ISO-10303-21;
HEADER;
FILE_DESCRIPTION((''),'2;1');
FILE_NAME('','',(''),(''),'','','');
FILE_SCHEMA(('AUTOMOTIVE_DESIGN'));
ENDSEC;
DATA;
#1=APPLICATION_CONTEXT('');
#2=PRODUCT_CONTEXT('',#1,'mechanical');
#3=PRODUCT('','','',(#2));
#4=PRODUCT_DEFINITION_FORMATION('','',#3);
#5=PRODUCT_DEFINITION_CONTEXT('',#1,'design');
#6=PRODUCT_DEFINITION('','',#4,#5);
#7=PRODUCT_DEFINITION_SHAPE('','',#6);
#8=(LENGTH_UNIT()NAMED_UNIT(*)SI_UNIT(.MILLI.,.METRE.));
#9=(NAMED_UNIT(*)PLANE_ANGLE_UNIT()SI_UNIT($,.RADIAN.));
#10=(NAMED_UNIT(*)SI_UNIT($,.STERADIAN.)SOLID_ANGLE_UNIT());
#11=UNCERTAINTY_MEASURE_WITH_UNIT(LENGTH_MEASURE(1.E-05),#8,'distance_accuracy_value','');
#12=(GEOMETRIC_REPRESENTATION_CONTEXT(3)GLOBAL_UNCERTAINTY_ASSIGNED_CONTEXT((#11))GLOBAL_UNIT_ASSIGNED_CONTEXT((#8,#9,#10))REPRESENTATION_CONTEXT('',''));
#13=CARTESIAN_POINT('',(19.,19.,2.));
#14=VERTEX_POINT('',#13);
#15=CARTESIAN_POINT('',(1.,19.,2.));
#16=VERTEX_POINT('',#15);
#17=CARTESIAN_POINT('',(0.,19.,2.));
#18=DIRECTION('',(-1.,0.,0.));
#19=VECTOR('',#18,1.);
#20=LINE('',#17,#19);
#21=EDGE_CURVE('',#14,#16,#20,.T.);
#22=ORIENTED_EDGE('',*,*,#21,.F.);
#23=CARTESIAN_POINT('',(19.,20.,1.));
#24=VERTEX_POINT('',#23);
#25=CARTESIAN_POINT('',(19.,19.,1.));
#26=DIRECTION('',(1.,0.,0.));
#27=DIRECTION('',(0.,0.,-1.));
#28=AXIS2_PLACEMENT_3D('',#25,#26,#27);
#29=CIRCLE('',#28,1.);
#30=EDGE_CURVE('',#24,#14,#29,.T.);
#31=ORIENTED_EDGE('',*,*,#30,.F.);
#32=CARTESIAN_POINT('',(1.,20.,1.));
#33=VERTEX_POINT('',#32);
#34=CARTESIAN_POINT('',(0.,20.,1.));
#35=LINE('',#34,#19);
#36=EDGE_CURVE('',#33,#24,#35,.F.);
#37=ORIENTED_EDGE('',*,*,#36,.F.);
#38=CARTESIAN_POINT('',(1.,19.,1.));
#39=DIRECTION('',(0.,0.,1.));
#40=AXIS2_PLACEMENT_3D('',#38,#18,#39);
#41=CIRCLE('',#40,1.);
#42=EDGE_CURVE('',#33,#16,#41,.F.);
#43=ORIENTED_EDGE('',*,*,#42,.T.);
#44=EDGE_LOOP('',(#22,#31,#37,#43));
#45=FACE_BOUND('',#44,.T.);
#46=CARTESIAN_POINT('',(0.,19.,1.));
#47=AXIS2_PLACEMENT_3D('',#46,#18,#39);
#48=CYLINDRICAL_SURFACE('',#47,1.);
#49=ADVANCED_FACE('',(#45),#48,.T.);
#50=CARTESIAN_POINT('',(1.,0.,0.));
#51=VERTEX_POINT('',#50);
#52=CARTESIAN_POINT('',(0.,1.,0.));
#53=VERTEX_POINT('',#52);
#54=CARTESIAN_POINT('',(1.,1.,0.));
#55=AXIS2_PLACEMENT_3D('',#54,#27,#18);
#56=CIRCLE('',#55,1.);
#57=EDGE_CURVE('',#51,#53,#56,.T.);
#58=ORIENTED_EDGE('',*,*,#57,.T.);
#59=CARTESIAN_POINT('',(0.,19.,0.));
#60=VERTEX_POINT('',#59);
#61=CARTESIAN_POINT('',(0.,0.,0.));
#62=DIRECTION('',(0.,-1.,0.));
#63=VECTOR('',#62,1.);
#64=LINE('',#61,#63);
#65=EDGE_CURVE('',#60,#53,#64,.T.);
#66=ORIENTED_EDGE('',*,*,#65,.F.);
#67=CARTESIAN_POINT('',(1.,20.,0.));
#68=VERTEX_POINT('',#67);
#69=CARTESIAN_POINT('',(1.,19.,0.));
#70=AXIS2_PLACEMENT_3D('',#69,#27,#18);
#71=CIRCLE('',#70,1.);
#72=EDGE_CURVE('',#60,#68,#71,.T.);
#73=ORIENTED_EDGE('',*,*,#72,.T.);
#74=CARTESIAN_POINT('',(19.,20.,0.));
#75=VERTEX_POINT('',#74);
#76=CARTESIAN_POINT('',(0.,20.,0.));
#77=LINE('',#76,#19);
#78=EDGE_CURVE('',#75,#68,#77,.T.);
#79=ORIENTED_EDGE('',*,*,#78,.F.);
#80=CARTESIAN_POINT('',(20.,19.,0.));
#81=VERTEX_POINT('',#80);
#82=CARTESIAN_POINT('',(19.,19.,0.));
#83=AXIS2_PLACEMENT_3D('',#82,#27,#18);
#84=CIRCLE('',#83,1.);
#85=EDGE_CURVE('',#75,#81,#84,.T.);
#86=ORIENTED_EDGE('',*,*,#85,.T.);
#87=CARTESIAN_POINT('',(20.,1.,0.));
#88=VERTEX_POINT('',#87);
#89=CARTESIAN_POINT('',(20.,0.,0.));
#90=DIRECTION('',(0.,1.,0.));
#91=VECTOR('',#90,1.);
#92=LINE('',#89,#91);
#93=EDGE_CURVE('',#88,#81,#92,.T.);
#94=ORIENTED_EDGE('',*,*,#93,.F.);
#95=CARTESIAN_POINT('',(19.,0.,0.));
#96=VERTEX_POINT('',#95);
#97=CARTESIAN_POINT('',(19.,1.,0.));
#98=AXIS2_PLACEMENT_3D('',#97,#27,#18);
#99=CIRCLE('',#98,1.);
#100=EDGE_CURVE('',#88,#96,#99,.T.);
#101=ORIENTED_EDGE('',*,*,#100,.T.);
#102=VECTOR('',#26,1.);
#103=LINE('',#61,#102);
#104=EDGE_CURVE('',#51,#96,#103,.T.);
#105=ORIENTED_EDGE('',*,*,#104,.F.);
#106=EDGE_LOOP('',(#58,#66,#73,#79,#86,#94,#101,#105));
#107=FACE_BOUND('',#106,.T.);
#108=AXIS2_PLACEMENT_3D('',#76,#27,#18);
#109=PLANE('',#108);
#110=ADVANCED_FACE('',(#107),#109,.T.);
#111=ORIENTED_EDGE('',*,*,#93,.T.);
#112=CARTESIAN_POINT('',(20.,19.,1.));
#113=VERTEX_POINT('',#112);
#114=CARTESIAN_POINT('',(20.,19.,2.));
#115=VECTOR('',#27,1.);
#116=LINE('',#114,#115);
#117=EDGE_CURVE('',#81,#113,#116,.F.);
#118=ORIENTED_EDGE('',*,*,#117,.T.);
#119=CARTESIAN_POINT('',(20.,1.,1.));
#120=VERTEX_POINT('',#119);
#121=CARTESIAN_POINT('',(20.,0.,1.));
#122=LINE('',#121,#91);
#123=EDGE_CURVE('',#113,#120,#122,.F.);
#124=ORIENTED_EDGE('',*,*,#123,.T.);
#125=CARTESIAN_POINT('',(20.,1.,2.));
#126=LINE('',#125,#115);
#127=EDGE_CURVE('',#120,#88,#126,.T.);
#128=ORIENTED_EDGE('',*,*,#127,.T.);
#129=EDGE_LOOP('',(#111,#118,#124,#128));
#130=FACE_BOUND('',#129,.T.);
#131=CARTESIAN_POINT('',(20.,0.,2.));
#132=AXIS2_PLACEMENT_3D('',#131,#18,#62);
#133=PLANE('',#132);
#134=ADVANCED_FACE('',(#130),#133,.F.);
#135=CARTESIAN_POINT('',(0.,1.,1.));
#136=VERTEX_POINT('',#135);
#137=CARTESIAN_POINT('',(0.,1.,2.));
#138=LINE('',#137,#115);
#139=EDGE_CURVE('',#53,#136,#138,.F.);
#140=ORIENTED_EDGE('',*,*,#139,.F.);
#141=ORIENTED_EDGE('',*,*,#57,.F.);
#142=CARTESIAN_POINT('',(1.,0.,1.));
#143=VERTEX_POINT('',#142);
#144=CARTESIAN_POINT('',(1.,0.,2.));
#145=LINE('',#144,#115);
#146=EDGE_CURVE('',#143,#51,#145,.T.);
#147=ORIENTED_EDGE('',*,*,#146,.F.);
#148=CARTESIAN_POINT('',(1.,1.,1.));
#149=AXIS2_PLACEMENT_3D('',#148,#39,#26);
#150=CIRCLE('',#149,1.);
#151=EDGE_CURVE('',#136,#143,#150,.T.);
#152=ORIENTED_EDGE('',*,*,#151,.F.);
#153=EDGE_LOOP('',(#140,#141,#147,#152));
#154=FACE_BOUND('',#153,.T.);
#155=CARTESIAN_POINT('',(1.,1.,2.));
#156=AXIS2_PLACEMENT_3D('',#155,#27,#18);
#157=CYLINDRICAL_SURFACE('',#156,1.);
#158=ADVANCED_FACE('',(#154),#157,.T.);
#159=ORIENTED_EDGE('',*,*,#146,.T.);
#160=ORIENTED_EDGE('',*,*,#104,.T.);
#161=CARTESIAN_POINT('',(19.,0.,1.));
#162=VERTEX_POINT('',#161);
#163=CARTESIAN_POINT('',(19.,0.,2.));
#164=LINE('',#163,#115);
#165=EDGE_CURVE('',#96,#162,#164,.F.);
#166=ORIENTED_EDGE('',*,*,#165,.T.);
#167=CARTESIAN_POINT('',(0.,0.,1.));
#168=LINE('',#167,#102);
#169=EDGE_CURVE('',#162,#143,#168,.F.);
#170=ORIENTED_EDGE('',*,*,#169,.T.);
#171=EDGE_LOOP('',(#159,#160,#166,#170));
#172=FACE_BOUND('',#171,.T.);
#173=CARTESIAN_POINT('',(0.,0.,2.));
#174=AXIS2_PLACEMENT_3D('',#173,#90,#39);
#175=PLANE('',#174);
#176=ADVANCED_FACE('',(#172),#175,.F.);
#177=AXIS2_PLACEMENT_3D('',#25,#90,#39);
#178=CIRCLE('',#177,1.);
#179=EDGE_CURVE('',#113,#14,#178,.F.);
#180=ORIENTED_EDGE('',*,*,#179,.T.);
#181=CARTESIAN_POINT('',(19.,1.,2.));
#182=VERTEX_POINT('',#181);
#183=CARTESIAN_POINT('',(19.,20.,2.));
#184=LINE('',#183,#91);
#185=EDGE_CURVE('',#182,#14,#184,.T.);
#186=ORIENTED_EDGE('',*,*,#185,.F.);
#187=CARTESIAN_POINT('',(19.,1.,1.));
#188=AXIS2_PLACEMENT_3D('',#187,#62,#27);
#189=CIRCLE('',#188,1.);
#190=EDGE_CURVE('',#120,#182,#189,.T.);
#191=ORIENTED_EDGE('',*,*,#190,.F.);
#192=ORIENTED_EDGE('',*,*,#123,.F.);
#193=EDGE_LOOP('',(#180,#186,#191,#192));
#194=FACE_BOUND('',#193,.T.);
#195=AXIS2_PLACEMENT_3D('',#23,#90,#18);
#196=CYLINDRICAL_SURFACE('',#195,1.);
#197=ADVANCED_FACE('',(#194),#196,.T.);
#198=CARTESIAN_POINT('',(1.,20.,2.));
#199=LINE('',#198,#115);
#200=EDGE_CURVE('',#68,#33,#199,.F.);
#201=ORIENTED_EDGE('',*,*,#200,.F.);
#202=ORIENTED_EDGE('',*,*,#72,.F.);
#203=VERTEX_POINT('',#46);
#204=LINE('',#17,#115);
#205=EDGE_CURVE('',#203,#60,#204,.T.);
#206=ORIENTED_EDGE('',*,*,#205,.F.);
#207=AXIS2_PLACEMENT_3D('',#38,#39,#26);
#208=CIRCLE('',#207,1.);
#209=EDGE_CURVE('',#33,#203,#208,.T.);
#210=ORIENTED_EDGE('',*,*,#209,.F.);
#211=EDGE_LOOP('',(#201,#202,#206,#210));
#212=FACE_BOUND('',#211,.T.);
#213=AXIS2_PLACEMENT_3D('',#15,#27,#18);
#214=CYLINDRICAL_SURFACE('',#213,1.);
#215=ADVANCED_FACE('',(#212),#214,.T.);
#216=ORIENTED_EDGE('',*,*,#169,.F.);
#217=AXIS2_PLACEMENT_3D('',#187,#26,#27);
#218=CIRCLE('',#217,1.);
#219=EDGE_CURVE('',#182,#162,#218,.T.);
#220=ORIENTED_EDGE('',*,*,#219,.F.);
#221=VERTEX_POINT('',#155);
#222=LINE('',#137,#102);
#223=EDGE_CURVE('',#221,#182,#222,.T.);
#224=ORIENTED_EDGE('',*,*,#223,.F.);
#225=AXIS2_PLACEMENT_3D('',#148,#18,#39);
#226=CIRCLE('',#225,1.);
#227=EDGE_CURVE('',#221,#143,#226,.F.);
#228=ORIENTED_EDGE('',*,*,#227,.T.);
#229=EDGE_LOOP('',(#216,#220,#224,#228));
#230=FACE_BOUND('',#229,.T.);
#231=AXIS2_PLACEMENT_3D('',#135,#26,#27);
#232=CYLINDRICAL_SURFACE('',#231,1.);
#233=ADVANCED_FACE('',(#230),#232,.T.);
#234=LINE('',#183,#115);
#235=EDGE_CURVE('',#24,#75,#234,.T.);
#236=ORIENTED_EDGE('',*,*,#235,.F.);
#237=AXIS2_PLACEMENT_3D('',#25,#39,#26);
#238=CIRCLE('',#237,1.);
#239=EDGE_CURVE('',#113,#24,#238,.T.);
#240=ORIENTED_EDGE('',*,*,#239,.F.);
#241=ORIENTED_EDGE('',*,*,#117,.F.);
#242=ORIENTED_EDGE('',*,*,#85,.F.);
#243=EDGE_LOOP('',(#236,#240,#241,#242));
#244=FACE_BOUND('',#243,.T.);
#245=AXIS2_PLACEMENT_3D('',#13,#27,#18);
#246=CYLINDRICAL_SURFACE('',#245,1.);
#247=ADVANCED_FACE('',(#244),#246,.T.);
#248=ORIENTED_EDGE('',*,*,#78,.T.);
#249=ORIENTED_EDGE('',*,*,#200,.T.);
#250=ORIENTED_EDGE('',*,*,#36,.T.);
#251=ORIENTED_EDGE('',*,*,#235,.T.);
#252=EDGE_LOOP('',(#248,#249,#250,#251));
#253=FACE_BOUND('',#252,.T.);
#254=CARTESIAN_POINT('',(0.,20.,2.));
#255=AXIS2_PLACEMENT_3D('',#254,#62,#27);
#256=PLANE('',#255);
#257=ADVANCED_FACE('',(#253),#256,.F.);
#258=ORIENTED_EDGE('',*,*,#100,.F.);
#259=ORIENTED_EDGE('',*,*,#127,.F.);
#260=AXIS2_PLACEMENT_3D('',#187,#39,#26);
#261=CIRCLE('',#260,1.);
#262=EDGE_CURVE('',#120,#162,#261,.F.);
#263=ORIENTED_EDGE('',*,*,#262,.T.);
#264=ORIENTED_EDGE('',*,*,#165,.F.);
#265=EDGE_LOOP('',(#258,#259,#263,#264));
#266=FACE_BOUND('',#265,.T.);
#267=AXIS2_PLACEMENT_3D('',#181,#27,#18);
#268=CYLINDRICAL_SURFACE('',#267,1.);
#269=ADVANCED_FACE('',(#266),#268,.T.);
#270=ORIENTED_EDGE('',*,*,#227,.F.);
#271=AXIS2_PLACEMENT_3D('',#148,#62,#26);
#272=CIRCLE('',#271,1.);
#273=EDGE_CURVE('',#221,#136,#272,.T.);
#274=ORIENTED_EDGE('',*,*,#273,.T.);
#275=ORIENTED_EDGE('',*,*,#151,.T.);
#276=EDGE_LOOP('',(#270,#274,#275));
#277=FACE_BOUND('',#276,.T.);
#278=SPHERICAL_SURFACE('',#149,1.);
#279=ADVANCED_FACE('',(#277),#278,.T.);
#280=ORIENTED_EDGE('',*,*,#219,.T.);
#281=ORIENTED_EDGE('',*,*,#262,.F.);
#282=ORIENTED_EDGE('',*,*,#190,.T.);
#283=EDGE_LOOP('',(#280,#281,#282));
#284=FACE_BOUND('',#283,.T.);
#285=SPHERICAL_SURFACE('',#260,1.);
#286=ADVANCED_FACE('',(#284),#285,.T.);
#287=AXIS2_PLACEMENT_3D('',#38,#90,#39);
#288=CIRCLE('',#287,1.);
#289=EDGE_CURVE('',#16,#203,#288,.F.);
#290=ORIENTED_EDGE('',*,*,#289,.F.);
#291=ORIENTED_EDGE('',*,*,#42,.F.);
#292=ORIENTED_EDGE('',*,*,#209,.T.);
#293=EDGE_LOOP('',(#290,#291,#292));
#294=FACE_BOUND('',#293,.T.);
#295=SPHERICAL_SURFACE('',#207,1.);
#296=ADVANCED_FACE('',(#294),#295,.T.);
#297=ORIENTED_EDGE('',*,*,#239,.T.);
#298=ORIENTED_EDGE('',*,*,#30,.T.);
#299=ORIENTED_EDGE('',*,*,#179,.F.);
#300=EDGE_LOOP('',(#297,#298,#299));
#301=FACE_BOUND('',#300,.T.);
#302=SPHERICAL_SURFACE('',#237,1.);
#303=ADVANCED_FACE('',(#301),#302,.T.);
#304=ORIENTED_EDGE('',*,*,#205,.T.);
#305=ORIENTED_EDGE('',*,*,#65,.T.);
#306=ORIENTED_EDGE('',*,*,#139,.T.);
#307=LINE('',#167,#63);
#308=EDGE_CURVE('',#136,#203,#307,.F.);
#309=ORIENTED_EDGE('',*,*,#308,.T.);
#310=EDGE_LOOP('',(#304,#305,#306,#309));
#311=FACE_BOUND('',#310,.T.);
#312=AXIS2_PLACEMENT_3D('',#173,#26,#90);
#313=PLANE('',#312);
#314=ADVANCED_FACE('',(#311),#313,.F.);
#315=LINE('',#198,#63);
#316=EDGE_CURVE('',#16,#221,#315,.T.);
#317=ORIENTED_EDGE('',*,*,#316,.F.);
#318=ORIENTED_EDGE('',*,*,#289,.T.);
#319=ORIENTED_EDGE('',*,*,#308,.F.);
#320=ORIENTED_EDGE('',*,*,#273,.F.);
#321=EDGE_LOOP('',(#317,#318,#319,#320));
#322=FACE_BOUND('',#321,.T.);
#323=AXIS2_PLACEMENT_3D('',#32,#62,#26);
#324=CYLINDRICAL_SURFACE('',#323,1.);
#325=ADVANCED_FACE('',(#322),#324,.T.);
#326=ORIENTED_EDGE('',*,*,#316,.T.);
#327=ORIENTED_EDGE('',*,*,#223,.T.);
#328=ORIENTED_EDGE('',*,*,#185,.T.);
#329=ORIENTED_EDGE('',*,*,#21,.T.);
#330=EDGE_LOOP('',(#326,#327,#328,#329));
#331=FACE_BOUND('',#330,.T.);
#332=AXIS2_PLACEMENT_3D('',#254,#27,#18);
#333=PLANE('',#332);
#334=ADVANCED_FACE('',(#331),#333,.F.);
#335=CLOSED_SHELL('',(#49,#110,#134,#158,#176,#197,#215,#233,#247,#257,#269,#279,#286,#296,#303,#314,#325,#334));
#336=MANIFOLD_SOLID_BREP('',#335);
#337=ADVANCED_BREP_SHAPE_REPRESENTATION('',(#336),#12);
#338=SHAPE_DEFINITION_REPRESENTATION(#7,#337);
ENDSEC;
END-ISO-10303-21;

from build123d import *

# Parameters (mm, degrees)
SKETCH1_W      = 20
SKETCH1_H      = 20
EXTRUDE1_DEPTH = 2
FILLET1_R      = 1


with BuildPart() as part:
    # Sketch1 → Extrude1 (new body)
    with BuildSketch(Plane.XY):
        with Locations((10, 10)):
            Rectangle(SKETCH1_W, SKETCH1_H)
    extrude(amount=EXTRUDE1_DEPTH)

    # Fillet1
    fillet1_edges = [part.edges().sort_by_distance(p)[0] for p in [
        (20, 10, 2),
        (10, 20, 2),
        (0, 10, 2),
        (10, 0, 2),
        (0, 20, 1),
        (20, 20, 1),
        (20, 0, 1),
        (0, 0, 1),
    ]]
    fillet(fillet1_edges, radius=FILLET1_R)


solid = part.part
